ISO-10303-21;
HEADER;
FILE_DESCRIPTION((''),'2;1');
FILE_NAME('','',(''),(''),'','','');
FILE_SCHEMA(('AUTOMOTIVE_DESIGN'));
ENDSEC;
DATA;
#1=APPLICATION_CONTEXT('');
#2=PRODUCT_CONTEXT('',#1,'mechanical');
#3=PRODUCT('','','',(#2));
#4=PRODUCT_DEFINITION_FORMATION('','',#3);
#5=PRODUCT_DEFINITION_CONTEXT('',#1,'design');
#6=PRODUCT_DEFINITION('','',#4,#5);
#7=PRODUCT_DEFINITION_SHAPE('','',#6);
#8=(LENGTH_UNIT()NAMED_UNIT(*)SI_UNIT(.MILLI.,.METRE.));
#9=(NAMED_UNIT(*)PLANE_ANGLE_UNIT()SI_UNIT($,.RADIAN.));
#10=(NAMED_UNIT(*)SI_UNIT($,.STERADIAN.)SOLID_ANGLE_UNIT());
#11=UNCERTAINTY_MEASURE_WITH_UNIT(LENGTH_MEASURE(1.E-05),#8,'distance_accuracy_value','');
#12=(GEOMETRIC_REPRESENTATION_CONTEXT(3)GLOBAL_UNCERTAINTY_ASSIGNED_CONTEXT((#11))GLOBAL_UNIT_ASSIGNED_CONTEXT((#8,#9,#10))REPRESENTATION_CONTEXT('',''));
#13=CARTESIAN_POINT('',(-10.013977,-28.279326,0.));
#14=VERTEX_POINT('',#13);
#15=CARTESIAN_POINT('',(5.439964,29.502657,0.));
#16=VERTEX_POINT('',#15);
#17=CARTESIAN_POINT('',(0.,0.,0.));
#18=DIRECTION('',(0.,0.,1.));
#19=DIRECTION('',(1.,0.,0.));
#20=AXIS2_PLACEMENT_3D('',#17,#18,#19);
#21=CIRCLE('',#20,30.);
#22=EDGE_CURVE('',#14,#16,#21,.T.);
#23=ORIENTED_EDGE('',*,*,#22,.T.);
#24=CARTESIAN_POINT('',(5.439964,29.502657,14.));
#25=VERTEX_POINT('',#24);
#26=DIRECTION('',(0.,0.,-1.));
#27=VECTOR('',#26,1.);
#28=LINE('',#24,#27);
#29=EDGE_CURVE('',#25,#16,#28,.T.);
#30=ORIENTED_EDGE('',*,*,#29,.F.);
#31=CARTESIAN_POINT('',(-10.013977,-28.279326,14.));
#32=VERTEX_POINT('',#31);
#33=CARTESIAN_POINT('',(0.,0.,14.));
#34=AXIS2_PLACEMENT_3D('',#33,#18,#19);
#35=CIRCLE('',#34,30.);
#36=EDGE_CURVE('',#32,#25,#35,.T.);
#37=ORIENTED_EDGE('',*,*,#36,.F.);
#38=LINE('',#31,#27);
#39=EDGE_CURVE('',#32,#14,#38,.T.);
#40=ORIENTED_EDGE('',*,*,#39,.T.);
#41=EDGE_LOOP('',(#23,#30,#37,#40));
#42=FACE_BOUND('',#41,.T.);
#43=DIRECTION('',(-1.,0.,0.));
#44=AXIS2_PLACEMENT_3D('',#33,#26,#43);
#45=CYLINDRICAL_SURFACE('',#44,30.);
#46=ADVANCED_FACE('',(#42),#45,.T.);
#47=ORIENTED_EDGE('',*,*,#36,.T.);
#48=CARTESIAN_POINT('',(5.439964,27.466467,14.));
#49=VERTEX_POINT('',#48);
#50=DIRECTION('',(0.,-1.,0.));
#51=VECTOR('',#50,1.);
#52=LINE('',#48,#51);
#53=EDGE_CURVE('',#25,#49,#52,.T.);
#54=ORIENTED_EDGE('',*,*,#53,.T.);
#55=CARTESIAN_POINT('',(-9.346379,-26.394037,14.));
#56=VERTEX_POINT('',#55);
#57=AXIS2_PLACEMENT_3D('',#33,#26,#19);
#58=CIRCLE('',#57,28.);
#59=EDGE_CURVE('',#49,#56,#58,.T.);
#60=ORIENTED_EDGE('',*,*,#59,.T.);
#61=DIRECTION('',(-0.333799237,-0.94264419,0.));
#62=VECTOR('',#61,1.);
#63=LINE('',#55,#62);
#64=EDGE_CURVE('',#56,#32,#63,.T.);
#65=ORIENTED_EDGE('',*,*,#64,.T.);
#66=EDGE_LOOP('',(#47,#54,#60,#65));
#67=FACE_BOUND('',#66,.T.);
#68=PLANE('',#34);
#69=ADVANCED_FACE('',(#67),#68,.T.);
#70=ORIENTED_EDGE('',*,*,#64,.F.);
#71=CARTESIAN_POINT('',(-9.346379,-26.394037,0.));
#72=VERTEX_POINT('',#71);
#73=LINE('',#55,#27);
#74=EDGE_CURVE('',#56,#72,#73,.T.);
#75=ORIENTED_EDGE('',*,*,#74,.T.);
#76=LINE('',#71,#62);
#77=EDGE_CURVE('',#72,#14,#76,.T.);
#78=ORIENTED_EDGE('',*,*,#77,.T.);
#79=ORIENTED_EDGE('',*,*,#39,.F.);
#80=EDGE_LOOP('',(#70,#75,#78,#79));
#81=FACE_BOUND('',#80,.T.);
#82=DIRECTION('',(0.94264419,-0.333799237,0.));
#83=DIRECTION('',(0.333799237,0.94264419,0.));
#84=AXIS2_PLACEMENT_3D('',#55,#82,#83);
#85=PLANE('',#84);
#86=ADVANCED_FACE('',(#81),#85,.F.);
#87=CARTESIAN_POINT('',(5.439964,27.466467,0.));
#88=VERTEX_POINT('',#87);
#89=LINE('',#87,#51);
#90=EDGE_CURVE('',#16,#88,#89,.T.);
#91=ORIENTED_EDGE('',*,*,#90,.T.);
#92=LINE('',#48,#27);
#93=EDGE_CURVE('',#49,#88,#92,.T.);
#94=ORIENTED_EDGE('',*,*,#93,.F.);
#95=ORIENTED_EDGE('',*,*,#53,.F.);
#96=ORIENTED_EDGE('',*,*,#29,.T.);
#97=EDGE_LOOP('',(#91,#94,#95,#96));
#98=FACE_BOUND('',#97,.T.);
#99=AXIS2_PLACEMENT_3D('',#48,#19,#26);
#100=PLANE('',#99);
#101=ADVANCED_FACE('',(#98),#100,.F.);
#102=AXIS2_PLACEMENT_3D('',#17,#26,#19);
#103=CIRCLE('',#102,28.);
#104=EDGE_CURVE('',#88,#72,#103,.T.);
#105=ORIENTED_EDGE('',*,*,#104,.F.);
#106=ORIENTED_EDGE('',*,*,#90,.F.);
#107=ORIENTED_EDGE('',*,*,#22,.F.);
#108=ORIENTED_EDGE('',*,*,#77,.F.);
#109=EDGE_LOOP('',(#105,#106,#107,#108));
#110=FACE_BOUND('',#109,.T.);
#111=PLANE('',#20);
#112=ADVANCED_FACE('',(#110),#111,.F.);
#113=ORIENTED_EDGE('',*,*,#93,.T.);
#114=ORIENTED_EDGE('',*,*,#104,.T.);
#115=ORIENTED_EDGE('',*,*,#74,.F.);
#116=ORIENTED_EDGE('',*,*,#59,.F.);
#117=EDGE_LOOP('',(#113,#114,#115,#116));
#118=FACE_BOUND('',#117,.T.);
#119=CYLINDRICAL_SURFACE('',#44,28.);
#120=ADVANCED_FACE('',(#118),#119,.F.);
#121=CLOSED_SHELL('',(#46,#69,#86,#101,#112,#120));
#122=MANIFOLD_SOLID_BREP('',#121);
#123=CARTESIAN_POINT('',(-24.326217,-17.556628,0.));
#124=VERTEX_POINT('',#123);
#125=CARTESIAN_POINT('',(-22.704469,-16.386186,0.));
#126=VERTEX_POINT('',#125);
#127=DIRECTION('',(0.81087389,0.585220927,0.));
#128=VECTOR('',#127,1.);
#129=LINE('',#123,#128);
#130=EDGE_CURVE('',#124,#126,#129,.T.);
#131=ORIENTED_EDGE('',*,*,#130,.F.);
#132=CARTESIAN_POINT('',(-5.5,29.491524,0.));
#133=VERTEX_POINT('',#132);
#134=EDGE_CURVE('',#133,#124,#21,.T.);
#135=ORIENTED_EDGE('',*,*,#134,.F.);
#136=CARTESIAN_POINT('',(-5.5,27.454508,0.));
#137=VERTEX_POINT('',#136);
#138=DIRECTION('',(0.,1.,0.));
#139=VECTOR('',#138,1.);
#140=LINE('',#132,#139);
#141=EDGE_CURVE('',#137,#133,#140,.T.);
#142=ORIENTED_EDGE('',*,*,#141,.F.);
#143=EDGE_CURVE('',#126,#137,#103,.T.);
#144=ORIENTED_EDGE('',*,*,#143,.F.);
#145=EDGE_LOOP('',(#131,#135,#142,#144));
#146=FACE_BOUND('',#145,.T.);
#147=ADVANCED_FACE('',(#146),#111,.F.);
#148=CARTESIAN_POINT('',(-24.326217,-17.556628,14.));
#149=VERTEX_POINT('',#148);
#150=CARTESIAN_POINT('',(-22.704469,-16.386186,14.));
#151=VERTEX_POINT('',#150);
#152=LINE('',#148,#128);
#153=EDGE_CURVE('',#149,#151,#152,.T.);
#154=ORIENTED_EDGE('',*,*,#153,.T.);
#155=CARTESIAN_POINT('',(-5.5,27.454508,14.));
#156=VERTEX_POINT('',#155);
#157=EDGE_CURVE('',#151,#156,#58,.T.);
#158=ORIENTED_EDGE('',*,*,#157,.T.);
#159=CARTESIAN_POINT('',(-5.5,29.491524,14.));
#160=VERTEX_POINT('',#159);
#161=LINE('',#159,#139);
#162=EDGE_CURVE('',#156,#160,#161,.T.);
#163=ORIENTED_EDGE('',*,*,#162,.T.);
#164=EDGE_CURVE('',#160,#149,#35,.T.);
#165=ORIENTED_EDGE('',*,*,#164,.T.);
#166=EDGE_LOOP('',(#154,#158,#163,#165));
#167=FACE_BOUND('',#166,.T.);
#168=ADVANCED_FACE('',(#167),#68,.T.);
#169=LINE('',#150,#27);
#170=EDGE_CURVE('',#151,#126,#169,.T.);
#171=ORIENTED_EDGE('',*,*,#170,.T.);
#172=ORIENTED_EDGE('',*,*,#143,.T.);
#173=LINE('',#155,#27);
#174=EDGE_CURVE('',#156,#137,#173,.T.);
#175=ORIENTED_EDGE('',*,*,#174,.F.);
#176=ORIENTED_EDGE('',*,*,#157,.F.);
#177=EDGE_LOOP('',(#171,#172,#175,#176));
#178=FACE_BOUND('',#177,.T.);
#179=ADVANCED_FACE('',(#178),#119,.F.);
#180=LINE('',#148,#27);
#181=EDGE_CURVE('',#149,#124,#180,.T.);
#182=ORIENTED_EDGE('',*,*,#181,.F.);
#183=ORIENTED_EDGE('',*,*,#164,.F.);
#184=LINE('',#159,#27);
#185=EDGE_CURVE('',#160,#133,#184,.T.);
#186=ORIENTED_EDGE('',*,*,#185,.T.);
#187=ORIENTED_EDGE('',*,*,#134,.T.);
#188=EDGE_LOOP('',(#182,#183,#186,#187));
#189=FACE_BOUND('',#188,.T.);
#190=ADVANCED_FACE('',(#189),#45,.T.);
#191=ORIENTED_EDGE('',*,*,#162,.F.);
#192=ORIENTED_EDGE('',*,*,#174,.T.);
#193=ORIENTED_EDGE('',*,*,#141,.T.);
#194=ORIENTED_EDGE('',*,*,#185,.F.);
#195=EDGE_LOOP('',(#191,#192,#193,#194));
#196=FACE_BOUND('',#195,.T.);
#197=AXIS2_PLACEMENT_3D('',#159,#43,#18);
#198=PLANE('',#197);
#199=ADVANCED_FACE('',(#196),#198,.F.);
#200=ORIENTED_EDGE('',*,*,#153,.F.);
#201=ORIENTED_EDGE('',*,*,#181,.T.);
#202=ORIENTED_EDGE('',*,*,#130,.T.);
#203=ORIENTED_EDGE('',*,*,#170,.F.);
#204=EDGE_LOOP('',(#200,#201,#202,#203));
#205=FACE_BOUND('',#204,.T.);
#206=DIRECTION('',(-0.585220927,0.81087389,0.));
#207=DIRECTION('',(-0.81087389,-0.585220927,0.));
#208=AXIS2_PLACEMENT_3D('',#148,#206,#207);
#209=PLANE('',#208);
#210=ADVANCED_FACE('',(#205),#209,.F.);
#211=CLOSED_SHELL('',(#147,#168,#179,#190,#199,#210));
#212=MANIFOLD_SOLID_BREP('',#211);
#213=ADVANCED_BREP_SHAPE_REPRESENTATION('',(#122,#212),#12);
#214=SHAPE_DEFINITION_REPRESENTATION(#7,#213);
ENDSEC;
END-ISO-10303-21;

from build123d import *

# Parameters (mm, degrees)
BOSS_EXTRUDE2_DEPTH   = 14
BOSS_EXTRUDE2_2_DEPTH = 14


with BuildPart() as part:
    # Sketch2 → Boss-Extrude2 (new body)
    with BuildSketch(Plane.XY):
        with BuildLine():
            Line((-9.346378644, -26.394037324), (-10.013977119, -28.279325704))
            ThreePointArc((-10.013977119, -28.279325704), (28.981369773, -7.751142245), (5.439963605, 29.502657439))
            Line((5.439963605, 29.502657439), (5.439963605, 27.466466755))
            ThreePointArc((5.439963605, 27.466466755), (27.000990621, -7.412591011), (-9.346378644, -26.394037324))
        make_face()
    extrude(amount=BOSS_EXTRUDE2_DEPTH)


with BuildPart() as body_2:
    # Sketch2 → Boss-Extrude2 2 (new body)
    with BuildSketch(Plane.XY):
        with BuildLine():
            Line((-24.326216711, -17.556627824), (-22.70446893, -16.386185969))
            ThreePointArc((-22.70446893, -16.386185969), (-26.064815845, 10.228654603), (-5.5, 27.454507827))
            Line((-5.5, 27.454507827), (-5.5, 29.491524206))
            ThreePointArc((-5.5, 29.491524206), (-27.852880518, 11.145270155), (-24.326216711, -17.556627824))
        make_face()
    extrude(amount=BOSS_EXTRUDE2_2_DEPTH)


solid = Compound([part.part, body_2.part])
